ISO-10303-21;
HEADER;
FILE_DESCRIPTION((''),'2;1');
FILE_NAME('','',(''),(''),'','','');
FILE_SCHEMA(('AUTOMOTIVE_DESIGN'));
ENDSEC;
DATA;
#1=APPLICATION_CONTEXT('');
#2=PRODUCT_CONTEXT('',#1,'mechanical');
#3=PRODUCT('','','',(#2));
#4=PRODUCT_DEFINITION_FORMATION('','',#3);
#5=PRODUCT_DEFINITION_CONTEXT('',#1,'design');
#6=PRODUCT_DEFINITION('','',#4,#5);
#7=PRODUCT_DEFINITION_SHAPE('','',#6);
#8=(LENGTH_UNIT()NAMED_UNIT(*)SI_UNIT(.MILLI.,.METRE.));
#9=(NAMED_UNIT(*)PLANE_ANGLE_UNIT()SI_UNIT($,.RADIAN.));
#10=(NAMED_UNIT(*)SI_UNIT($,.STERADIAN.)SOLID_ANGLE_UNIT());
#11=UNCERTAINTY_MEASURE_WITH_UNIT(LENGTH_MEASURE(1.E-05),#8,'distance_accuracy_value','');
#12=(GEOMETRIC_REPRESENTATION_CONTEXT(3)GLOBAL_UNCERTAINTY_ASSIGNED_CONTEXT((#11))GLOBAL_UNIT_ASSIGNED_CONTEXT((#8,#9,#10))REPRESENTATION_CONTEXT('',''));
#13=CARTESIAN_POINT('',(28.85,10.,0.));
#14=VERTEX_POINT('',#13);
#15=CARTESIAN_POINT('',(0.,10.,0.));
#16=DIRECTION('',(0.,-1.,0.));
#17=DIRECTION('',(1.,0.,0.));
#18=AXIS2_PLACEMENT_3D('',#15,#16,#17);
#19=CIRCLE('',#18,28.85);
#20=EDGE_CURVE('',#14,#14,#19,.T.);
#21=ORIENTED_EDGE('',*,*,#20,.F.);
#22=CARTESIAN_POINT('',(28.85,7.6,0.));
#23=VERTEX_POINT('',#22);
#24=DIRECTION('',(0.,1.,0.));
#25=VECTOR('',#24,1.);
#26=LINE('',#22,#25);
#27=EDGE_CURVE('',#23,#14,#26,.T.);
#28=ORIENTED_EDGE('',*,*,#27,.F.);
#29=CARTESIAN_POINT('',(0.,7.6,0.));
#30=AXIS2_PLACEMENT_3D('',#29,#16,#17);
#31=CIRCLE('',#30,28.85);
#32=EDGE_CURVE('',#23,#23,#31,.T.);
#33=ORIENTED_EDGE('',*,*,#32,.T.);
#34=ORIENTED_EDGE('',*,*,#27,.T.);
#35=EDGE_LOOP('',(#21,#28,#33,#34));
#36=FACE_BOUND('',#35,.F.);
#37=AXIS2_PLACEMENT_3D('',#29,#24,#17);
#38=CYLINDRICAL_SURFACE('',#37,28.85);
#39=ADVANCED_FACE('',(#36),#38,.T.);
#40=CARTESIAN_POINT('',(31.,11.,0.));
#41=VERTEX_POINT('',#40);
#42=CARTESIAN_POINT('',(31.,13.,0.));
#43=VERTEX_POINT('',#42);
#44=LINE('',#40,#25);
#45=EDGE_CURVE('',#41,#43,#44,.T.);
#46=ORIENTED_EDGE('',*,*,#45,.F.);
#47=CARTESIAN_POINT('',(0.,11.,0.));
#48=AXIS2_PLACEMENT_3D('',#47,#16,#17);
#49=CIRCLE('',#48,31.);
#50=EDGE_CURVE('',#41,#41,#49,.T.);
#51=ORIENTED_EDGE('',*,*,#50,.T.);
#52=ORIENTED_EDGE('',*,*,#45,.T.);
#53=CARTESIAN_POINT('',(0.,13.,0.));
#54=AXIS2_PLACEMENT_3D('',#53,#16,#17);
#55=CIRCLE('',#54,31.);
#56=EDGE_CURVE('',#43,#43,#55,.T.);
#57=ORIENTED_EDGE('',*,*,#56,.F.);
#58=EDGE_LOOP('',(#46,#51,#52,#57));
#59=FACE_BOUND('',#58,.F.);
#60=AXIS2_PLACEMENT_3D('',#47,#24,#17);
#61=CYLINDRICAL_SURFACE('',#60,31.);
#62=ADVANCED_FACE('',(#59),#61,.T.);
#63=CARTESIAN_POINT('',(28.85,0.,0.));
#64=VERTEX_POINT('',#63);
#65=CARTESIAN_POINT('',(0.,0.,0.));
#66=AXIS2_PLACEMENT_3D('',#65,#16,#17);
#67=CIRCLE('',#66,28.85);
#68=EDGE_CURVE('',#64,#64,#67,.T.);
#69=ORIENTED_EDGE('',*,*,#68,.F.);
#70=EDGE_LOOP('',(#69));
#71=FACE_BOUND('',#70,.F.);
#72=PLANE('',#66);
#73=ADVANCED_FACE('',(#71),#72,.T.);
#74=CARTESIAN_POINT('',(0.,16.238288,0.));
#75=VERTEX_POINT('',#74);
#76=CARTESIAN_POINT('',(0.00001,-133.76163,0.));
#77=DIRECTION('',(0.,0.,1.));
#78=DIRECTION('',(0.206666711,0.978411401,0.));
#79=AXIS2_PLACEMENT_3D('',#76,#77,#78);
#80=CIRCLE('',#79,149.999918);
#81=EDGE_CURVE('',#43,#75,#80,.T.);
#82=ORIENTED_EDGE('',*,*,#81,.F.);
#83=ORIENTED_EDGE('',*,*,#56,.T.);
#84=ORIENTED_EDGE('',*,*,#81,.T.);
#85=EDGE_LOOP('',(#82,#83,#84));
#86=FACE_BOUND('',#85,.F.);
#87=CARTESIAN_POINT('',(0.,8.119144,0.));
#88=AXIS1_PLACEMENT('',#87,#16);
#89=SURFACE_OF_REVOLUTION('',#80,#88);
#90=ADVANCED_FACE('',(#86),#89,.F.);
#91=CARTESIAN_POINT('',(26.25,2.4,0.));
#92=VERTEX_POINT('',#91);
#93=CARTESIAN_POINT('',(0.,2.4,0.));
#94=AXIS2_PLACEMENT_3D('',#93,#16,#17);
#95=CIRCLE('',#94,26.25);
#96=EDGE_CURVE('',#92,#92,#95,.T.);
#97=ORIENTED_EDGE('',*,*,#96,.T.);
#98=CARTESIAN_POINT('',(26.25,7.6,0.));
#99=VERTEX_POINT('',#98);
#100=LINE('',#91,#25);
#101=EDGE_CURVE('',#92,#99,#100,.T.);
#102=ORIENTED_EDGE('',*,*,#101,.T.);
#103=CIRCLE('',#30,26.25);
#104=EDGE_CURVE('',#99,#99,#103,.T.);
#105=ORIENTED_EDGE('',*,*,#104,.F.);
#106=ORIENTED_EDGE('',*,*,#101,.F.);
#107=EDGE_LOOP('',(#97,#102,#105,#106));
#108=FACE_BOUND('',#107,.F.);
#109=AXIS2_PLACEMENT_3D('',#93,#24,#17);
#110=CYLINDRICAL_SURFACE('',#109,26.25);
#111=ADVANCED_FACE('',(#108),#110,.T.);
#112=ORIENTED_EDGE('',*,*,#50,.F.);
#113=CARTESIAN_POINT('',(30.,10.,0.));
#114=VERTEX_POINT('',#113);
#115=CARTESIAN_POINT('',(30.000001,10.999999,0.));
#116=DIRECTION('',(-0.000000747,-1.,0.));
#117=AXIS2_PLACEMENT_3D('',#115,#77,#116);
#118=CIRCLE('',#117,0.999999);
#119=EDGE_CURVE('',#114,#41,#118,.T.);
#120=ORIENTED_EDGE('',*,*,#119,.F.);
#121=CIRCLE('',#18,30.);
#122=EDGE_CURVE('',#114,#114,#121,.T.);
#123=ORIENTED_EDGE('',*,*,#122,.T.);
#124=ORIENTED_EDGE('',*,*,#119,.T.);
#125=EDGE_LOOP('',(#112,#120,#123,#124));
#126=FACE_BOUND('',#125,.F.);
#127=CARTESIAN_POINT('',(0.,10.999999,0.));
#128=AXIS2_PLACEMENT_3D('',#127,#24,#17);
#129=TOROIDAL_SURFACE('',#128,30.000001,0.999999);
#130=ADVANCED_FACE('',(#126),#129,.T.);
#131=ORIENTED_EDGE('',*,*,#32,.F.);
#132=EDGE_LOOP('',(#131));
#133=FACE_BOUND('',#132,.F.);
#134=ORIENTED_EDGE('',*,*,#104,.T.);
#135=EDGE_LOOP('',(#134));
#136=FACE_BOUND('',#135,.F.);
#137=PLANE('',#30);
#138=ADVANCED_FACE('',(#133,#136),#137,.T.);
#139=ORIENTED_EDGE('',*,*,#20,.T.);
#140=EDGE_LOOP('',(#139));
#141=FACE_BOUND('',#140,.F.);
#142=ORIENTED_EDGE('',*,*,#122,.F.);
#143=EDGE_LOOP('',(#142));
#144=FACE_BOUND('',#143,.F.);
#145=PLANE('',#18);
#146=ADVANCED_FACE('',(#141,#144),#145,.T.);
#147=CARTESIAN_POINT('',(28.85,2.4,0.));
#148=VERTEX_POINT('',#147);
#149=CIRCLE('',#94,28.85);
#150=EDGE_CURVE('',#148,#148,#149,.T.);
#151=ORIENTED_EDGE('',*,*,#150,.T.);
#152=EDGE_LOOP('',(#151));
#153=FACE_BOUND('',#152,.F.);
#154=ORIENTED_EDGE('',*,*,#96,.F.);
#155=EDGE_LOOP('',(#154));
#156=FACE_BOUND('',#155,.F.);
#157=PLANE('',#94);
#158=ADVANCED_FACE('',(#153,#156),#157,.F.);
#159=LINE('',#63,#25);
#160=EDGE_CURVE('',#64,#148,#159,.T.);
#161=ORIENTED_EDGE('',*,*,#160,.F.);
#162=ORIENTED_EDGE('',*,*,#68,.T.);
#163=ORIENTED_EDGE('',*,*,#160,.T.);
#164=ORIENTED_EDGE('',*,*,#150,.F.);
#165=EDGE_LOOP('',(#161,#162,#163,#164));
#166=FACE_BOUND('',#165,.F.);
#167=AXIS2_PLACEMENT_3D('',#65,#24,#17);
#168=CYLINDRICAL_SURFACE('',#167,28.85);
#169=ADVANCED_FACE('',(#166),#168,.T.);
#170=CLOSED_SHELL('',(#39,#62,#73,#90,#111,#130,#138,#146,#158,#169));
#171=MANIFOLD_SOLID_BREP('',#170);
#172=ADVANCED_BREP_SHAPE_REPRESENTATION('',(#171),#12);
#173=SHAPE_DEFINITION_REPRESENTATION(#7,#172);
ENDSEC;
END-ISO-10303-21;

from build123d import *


with BuildPart() as f1:
    # F0 (on Top) → F1 (revolve)
    with BuildSketch(Plane.XY):
        with BuildLine():
            Line((0, 0), (28.85, 0))
            Line((28.85, 0), (28.85, 2.4))
            Line((28.85, 2.4), (26.25, 2.4))
            Line((26.25, 2.4), (26.25, 7.6))
            Line((26.25, 7.6), (28.85, 7.6))
            Line((28.85, 7.6), (28.85, 10))
            Line((28.85, 10), (30, 10))
            ThreePointArc((30, 10), (30.707107, 10.292893), (31, 11))
            Line((31, 11), (31, 13))
            ThreePointArc((31, 13), (15.584339, 15.42652), (0, 16.238288))
            Line((0, 16.238288), (0, 0))
        make_face()
    revolve(axis=Axis((0, 8.119144, 0), (0, -1, 0)))


solid = f1.part
